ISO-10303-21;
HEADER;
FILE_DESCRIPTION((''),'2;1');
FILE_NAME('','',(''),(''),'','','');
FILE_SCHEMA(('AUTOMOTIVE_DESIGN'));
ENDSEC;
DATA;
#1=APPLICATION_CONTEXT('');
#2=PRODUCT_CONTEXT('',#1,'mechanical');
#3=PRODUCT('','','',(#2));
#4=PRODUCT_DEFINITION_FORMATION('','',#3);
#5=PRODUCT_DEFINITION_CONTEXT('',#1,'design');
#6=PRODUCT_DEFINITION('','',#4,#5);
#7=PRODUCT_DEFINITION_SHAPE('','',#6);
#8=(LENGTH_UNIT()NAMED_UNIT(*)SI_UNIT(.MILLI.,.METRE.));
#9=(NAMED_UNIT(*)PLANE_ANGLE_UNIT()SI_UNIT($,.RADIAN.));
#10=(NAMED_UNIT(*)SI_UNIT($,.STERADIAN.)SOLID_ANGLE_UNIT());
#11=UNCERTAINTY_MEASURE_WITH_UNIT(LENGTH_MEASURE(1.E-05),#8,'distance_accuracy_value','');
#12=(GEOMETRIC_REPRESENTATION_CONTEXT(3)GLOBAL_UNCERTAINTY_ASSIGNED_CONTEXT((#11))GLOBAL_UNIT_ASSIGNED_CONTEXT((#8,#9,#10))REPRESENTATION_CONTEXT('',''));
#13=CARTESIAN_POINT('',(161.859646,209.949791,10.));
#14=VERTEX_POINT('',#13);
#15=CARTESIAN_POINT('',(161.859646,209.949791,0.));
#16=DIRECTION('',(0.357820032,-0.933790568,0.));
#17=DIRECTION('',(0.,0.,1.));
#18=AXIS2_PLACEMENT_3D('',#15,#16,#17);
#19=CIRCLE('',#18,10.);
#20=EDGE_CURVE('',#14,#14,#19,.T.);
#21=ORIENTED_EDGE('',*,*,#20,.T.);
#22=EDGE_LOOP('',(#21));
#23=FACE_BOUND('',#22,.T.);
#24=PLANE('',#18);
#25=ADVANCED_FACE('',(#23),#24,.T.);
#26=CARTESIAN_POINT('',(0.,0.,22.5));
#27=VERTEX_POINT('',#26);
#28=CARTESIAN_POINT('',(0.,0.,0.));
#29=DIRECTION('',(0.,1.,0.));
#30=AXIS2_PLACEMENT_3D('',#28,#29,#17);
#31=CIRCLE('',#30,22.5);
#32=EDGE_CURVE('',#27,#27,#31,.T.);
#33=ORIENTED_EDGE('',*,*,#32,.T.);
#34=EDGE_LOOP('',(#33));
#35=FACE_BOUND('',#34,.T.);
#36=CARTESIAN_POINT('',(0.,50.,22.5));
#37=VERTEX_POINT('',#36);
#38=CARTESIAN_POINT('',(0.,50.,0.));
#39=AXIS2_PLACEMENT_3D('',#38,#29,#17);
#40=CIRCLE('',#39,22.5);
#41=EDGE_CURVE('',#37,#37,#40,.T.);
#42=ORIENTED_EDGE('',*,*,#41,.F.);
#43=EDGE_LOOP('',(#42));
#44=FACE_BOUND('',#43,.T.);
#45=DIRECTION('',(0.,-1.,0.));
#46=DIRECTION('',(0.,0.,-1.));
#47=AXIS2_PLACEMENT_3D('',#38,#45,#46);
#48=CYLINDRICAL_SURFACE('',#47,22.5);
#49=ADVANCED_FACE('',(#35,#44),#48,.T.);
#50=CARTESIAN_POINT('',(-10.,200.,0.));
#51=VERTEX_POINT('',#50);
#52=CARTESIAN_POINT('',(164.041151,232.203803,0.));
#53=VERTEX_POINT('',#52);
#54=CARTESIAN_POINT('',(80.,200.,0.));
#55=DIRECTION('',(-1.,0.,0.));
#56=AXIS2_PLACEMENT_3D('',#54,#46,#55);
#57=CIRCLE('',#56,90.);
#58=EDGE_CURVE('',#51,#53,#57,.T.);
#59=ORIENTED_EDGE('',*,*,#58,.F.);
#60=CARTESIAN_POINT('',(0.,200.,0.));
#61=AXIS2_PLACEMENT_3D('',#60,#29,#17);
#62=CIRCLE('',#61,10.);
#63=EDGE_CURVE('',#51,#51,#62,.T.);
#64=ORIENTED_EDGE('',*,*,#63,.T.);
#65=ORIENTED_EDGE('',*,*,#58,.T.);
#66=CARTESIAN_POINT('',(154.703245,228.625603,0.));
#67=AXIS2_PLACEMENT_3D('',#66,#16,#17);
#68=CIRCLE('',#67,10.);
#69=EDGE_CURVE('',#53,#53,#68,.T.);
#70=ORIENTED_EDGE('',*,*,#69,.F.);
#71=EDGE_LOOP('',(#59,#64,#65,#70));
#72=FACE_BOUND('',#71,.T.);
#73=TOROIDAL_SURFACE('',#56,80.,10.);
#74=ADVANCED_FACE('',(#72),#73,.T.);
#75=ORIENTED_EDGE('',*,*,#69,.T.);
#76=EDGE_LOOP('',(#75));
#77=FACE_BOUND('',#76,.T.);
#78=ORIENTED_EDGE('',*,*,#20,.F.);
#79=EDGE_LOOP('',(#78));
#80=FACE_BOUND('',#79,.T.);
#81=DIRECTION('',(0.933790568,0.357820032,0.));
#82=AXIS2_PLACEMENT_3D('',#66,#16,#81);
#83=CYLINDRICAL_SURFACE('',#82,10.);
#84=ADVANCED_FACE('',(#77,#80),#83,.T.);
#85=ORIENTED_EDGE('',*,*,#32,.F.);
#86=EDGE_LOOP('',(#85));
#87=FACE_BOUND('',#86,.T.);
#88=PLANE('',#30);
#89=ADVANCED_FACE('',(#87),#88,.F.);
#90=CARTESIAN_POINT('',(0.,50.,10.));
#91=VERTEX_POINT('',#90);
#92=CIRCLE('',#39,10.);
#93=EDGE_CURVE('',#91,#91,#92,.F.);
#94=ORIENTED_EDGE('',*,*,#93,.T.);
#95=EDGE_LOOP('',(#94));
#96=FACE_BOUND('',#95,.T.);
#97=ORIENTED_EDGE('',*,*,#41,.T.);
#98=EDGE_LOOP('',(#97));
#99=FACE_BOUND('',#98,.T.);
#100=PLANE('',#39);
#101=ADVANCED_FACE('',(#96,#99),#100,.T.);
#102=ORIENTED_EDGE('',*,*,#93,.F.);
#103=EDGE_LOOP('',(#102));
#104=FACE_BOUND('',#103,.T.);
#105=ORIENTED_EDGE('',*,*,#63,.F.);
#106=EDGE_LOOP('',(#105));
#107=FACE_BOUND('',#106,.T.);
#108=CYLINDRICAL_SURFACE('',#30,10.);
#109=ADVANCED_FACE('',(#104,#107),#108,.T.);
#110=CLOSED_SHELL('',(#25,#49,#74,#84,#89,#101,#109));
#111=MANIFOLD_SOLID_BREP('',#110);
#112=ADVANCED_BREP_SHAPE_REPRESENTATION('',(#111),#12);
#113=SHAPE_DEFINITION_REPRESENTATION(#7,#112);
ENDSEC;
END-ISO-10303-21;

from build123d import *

# Parameters (mm, degrees)
SKETCH_2_R      = 10
SKETCH_3_R      = 22.5
EXTRUDE_1_DEPTH = 50


with BuildPart() as part:
    # По траектории1: sweep along a path in Эскиз1
    with BuildLine(Plane.XY) as sweep_1_path:
        Line((0, 0), (0, 200))
        ThreePointArc((0, 200), (65.444238832, 278.664666889), (154.703245421, 228.62560259))
        Line((154.703245421, 228.62560259), (161.859646068, 209.949791235))
    # Эскиз2 → По траектории1 (sweep)
    with BuildSketch(Plane(origin=(0, 0, 0), x_dir=(1, 0, 0), z_dir=(0, 1, 0))):
        Circle(SKETCH_2_R)
    sweep(path=sweep_1_path.line)

    # Эскиз3 → Бобышка-Вытянуть1 (add)
    with BuildSketch(Plane(origin=(0, 0, 0), x_dir=(1, 0, 0), z_dir=(0, 1, 0))):
        Circle(SKETCH_3_R)
    extrude(amount=EXTRUDE_1_DEPTH)


solid = part.part
